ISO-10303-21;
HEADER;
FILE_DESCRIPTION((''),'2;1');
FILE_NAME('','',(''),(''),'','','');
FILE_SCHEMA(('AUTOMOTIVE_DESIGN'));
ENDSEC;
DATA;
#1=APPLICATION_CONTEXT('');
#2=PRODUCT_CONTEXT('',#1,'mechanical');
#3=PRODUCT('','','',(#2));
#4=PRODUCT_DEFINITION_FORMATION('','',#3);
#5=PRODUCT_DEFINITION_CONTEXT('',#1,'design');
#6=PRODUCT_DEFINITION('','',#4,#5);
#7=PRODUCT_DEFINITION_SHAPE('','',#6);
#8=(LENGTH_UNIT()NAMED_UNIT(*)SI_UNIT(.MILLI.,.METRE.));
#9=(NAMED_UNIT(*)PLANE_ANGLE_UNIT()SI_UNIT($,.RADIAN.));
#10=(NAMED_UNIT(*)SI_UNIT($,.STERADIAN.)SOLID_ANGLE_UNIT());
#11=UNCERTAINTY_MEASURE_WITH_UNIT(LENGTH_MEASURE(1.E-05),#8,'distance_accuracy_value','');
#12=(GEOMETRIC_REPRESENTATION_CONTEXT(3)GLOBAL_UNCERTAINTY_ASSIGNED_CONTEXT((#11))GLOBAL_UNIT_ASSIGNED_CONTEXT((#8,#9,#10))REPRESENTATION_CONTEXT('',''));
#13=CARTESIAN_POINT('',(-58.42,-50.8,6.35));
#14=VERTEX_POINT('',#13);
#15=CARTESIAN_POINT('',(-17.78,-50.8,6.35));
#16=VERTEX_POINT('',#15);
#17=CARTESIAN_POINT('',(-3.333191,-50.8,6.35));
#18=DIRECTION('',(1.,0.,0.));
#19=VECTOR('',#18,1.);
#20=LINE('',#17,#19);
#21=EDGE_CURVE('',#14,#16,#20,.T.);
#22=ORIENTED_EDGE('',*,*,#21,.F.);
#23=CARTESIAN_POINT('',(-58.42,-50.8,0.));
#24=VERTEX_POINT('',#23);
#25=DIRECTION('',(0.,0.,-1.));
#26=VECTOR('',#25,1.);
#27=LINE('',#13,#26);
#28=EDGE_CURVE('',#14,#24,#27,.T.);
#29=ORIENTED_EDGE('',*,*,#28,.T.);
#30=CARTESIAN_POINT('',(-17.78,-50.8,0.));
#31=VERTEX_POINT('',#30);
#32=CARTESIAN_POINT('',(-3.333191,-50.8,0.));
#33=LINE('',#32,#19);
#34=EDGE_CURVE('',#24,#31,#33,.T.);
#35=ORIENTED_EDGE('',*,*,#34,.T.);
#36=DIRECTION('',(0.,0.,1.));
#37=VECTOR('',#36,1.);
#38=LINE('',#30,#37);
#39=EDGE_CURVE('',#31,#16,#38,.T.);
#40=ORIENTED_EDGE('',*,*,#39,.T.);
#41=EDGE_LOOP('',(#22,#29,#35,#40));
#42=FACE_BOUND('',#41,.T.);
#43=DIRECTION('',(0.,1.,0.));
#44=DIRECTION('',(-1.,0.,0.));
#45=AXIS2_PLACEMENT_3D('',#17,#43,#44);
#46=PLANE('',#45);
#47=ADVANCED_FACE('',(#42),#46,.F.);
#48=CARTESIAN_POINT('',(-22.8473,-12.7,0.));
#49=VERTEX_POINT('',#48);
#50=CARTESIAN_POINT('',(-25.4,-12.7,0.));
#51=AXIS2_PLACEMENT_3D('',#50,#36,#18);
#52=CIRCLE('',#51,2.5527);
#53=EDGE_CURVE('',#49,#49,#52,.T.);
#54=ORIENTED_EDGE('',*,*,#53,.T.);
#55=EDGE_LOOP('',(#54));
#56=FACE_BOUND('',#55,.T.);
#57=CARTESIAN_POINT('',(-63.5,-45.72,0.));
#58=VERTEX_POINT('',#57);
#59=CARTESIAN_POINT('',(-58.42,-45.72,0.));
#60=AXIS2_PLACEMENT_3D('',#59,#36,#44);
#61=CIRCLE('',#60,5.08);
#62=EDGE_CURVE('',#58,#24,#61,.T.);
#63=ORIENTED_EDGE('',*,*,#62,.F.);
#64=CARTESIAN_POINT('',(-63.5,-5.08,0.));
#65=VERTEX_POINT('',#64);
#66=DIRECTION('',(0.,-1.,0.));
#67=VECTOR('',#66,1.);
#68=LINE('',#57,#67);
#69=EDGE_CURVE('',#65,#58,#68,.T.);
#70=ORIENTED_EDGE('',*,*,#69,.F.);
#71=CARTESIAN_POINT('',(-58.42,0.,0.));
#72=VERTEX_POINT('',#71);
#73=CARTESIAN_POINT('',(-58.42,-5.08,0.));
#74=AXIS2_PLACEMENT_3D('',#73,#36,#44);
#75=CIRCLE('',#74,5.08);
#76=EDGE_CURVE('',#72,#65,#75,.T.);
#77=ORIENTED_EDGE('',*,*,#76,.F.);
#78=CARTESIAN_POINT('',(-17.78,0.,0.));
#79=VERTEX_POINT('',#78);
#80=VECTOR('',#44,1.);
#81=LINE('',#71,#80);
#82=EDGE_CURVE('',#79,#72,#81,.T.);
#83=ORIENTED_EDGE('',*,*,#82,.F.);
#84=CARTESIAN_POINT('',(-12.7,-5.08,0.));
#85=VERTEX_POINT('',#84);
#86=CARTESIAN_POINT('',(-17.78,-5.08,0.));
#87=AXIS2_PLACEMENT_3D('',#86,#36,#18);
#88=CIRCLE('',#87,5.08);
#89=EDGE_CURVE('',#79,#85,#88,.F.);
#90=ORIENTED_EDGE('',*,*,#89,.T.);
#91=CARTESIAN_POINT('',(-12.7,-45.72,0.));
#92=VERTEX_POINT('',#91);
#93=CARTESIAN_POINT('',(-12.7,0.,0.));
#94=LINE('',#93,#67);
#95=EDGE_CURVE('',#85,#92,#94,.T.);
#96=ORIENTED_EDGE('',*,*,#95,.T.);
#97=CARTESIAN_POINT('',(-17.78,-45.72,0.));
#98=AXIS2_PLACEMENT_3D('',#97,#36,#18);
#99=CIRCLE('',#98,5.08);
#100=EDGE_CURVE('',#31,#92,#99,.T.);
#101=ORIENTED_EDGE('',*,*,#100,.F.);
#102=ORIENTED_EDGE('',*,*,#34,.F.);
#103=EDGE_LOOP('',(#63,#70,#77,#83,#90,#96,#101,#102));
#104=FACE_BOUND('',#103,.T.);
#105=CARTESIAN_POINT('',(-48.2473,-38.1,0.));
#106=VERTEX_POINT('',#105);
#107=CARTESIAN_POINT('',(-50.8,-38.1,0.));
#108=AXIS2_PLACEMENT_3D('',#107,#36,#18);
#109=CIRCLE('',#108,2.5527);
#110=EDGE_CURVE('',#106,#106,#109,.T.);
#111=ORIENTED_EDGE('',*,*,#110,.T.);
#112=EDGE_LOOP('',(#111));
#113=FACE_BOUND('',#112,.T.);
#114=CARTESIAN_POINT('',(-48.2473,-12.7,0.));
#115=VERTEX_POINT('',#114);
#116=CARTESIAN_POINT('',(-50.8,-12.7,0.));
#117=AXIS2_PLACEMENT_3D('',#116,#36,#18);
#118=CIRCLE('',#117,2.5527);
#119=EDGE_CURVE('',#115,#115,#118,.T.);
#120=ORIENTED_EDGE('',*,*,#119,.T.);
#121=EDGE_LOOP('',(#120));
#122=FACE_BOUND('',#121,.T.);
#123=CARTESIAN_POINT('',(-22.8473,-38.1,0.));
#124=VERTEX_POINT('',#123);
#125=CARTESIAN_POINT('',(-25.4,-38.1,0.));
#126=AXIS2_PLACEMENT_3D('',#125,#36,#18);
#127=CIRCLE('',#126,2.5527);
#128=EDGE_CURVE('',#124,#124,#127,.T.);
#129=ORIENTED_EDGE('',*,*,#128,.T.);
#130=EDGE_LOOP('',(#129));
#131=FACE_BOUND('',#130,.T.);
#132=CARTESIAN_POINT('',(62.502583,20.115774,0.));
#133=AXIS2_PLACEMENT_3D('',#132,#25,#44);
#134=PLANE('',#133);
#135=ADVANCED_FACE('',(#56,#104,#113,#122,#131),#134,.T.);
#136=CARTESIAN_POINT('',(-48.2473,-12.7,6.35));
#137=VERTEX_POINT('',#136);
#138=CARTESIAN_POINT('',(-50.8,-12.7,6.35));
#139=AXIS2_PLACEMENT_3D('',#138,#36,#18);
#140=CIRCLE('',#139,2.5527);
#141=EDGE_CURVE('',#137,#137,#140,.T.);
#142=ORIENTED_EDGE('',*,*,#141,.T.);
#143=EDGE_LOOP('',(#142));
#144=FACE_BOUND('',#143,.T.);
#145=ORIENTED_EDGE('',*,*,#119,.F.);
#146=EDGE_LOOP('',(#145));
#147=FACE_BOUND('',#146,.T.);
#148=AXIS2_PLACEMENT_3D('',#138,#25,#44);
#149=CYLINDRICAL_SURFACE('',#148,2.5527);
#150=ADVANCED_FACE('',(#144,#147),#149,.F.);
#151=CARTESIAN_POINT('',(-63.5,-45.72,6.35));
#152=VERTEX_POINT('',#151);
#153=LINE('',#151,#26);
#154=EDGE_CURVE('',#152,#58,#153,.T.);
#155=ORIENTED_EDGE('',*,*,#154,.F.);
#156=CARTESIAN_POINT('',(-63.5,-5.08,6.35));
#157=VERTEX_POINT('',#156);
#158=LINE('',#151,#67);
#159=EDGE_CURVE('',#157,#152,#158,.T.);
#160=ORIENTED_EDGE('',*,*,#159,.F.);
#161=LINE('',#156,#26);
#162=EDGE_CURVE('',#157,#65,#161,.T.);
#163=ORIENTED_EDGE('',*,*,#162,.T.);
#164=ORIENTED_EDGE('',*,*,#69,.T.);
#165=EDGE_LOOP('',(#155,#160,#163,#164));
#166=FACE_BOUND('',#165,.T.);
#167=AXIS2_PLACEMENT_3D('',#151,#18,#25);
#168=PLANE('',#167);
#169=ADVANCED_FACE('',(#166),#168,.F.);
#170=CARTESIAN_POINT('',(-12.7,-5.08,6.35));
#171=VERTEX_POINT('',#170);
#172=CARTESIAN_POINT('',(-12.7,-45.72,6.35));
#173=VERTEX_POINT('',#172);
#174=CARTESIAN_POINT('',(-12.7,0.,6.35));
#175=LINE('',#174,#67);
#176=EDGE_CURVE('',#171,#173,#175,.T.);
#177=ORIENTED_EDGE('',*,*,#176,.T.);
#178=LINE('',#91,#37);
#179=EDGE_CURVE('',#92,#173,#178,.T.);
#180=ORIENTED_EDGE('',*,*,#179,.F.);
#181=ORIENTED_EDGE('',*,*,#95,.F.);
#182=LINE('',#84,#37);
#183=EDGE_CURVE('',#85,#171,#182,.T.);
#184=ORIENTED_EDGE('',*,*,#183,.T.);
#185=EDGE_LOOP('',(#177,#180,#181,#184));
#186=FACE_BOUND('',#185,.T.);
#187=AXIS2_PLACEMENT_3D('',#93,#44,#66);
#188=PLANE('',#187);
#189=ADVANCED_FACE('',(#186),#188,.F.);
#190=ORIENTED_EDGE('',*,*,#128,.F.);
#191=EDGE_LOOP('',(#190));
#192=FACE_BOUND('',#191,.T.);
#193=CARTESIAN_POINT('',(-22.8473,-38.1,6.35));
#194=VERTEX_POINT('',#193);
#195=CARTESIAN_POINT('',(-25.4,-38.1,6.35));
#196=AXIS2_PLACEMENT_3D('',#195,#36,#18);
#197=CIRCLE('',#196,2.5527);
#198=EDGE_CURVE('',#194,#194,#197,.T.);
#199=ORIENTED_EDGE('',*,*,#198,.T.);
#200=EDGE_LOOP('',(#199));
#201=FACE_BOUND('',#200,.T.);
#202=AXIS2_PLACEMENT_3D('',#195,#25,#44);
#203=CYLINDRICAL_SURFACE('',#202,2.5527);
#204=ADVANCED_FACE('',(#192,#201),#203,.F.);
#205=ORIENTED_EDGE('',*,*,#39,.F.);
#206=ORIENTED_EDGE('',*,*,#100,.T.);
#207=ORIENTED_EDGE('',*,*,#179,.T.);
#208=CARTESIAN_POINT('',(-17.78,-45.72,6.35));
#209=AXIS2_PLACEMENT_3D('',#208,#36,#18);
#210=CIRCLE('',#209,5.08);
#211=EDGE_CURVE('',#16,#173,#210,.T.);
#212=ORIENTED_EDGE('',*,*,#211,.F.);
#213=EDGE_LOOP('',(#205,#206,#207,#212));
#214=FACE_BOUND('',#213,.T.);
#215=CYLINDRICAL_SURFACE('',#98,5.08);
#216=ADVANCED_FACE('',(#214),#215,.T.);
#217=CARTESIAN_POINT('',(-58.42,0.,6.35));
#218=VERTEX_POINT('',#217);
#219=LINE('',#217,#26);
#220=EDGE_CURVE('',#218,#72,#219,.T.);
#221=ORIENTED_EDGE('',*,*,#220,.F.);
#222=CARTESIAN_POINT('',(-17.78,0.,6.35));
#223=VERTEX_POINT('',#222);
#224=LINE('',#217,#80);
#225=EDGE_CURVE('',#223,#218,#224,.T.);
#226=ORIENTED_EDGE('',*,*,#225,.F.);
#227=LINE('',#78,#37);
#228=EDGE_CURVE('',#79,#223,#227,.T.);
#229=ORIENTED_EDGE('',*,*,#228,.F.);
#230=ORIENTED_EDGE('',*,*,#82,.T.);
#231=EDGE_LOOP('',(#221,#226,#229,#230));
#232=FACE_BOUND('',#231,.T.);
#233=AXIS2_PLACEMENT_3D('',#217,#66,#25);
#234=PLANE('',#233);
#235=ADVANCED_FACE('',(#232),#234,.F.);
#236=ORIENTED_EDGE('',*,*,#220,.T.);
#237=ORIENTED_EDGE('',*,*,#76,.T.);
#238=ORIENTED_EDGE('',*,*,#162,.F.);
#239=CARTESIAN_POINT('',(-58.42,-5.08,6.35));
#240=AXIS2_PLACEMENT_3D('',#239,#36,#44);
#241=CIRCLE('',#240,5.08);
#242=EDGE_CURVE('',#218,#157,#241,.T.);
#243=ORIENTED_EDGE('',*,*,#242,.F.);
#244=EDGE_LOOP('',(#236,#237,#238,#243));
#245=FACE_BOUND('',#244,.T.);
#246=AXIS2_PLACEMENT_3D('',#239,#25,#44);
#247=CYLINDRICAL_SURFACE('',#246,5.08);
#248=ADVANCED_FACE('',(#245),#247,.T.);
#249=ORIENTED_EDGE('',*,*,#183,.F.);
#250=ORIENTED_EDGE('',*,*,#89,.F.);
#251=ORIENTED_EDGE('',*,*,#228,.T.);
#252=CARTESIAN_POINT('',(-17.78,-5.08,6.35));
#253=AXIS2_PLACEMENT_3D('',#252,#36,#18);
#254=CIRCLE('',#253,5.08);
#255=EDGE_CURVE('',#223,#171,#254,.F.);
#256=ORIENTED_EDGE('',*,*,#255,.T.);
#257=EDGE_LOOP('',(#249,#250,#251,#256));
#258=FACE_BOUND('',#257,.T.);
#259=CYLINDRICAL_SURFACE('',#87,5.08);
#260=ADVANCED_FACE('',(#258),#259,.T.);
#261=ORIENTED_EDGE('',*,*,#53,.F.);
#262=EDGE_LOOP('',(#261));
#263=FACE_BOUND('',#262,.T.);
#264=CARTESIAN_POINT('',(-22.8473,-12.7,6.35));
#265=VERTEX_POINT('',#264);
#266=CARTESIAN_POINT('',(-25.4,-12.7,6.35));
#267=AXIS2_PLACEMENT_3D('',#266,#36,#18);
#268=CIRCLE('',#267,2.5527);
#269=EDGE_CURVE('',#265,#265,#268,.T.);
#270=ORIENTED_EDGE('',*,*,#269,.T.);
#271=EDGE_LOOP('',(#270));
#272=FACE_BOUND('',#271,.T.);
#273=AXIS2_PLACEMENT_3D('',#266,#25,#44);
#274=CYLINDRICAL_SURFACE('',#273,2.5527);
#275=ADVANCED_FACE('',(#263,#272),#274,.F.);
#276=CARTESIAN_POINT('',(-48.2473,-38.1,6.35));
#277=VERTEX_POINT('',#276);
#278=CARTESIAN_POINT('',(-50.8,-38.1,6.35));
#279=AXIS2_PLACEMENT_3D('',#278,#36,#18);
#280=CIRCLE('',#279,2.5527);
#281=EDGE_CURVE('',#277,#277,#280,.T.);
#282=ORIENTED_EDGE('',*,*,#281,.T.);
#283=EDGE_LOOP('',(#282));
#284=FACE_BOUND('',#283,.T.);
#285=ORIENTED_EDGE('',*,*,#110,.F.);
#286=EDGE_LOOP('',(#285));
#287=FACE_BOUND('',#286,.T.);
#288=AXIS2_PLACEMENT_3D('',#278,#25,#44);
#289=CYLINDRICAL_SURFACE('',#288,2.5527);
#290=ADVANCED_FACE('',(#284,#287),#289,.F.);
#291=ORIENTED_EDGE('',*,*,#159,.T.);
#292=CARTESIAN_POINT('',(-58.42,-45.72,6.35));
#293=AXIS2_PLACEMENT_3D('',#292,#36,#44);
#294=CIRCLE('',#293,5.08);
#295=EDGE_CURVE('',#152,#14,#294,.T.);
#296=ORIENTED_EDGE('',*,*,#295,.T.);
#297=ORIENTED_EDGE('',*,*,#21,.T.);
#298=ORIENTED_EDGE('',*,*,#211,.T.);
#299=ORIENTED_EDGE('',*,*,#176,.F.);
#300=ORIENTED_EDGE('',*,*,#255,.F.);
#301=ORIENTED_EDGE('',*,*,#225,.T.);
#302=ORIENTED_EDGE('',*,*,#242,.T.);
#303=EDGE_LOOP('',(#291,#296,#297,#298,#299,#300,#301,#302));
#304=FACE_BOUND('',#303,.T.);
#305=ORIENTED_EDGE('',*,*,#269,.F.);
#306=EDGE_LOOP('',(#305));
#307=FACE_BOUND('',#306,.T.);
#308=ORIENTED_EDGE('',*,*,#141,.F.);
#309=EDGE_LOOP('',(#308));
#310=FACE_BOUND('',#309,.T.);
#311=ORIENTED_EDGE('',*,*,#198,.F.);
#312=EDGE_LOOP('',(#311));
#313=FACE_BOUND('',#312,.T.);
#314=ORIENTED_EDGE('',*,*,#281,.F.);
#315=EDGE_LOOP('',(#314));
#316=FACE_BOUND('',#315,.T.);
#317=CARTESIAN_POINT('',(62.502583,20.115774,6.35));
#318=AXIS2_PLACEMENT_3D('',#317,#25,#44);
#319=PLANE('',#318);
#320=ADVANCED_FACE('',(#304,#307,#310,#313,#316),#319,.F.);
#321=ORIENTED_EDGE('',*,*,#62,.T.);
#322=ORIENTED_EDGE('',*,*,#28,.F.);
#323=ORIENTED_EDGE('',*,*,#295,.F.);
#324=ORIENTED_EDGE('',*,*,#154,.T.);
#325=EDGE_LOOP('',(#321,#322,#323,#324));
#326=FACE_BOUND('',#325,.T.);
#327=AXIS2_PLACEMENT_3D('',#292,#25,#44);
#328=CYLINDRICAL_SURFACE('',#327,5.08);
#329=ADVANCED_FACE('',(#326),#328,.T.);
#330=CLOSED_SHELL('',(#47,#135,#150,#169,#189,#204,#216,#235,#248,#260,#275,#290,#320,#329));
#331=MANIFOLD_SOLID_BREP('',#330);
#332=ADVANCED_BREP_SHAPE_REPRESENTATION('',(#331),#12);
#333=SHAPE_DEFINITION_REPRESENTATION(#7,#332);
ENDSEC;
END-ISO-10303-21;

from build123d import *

# Parameters (mm, degrees)
SKETCH1_R           = 2.5527
BOSS_EXTRUDE1_DEPTH = 6.35
CUT_EXTRUDE1_DEPTH  = 85.78424365


with BuildPart() as part:
    # Sketch1 → Boss-Extrude1 (new body)
    with BuildSketch(Plane.XY):
        with BuildLine():
            Line((1.487897552, 1.487897552), (41.309178157, 41.309178157))
            ThreePointArc((41.309178157, 41.309178157), (44.901280605, 42.797075708), (48.493383054, 41.309178157))
            Line((48.493383054, 41.309178157), (66.094685051, 23.70787616))
            ThreePointArc((66.094685051, 23.70787616), (67.582582603, 20.115773711), (66.094685051, 16.523671263))
            Line((66.094685051, 16.523671263), (0.25891134, -49.312102448))
            ThreePointArc((0.25891134, -49.312102448), (-1.389159272, -50.413308025), (-3.333191109, -50.8))
            Line((-3.333191109, -50.8), (-58.42, -50.8))
            ThreePointArc((-58.42, -50.8), (-62.012102448, -49.312102448), (-63.5, -45.72))
            Line((-63.5, -45.72), (-63.5, -5.08))
            ThreePointArc((-63.5, -5.08), (-62.012102448, -1.487897552), (-58.42, 0))
            Line((-58.42, 0), (-2.104204897, 0))
            ThreePointArc((-2.104204897, 0), (-0.16017306, 0.386691975), (1.487897552, 1.487897552))
        make_face()
        with Locations((-50.8, -12.7)):
            Circle(SKETCH1_R, mode=Mode.SUBTRACT)
        with Locations((-25.4, -12.7)):
            Circle(SKETCH1_R, mode=Mode.SUBTRACT)
        with Locations((-25.4, -38.1)):
            Circle(SKETCH1_R, mode=Mode.SUBTRACT)
        with Locations((-50.8, -38.1)):
            Circle(SKETCH1_R, mode=Mode.SUBTRACT)
    extrude(amount=BOSS_EXTRUDE1_DEPTH)

    # Sketch2 → Cut-Extrude1 (cut, through all)
    with BuildSketch(Plane.XY.offset(6.35)):
        with BuildLine():
            Line((-2.104204897, 0), (-17.78, 0))
            ThreePointArc((-17.78, 0), (-14.187897552, -1.487897552), (-12.7, -5.08))
            Line((-12.7, -5.08), (-12.7, -45.72))
            ThreePointArc((-12.7, -45.72), (-14.187897552, -49.312102448), (-17.78, -50.8))
            Line((-17.78, -50.8), (-3.333191109, -50.8))
            ThreePointArc((-3.333191109, -50.8), (-1.389159272, -50.413308025), (0.25891134, -49.312102448))
            Line((0.25891134, -49.312102448), (66.094685051, 16.523671263))
            ThreePointArc((66.094685051, 16.523671263), (67.582582603, 20.115773711), (66.094685051, 23.70787616))
            Line((66.094685051, 23.70787616), (48.493383054, 41.309178157))
            ThreePointArc((48.493383054, 41.309178157), (44.901280605, 42.797075708), (41.309178157, 41.309178157))
            Line((41.309178157, 41.309178157), (1.487897552, 1.487897552))
            ThreePointArc((1.487897552, 1.487897552), (-0.16017306, 0.386691975), (-2.104204897, 0))
        make_face()
    extrude(amount=-CUT_EXTRUDE1_DEPTH, mode=Mode.SUBTRACT)


solid = part.part
